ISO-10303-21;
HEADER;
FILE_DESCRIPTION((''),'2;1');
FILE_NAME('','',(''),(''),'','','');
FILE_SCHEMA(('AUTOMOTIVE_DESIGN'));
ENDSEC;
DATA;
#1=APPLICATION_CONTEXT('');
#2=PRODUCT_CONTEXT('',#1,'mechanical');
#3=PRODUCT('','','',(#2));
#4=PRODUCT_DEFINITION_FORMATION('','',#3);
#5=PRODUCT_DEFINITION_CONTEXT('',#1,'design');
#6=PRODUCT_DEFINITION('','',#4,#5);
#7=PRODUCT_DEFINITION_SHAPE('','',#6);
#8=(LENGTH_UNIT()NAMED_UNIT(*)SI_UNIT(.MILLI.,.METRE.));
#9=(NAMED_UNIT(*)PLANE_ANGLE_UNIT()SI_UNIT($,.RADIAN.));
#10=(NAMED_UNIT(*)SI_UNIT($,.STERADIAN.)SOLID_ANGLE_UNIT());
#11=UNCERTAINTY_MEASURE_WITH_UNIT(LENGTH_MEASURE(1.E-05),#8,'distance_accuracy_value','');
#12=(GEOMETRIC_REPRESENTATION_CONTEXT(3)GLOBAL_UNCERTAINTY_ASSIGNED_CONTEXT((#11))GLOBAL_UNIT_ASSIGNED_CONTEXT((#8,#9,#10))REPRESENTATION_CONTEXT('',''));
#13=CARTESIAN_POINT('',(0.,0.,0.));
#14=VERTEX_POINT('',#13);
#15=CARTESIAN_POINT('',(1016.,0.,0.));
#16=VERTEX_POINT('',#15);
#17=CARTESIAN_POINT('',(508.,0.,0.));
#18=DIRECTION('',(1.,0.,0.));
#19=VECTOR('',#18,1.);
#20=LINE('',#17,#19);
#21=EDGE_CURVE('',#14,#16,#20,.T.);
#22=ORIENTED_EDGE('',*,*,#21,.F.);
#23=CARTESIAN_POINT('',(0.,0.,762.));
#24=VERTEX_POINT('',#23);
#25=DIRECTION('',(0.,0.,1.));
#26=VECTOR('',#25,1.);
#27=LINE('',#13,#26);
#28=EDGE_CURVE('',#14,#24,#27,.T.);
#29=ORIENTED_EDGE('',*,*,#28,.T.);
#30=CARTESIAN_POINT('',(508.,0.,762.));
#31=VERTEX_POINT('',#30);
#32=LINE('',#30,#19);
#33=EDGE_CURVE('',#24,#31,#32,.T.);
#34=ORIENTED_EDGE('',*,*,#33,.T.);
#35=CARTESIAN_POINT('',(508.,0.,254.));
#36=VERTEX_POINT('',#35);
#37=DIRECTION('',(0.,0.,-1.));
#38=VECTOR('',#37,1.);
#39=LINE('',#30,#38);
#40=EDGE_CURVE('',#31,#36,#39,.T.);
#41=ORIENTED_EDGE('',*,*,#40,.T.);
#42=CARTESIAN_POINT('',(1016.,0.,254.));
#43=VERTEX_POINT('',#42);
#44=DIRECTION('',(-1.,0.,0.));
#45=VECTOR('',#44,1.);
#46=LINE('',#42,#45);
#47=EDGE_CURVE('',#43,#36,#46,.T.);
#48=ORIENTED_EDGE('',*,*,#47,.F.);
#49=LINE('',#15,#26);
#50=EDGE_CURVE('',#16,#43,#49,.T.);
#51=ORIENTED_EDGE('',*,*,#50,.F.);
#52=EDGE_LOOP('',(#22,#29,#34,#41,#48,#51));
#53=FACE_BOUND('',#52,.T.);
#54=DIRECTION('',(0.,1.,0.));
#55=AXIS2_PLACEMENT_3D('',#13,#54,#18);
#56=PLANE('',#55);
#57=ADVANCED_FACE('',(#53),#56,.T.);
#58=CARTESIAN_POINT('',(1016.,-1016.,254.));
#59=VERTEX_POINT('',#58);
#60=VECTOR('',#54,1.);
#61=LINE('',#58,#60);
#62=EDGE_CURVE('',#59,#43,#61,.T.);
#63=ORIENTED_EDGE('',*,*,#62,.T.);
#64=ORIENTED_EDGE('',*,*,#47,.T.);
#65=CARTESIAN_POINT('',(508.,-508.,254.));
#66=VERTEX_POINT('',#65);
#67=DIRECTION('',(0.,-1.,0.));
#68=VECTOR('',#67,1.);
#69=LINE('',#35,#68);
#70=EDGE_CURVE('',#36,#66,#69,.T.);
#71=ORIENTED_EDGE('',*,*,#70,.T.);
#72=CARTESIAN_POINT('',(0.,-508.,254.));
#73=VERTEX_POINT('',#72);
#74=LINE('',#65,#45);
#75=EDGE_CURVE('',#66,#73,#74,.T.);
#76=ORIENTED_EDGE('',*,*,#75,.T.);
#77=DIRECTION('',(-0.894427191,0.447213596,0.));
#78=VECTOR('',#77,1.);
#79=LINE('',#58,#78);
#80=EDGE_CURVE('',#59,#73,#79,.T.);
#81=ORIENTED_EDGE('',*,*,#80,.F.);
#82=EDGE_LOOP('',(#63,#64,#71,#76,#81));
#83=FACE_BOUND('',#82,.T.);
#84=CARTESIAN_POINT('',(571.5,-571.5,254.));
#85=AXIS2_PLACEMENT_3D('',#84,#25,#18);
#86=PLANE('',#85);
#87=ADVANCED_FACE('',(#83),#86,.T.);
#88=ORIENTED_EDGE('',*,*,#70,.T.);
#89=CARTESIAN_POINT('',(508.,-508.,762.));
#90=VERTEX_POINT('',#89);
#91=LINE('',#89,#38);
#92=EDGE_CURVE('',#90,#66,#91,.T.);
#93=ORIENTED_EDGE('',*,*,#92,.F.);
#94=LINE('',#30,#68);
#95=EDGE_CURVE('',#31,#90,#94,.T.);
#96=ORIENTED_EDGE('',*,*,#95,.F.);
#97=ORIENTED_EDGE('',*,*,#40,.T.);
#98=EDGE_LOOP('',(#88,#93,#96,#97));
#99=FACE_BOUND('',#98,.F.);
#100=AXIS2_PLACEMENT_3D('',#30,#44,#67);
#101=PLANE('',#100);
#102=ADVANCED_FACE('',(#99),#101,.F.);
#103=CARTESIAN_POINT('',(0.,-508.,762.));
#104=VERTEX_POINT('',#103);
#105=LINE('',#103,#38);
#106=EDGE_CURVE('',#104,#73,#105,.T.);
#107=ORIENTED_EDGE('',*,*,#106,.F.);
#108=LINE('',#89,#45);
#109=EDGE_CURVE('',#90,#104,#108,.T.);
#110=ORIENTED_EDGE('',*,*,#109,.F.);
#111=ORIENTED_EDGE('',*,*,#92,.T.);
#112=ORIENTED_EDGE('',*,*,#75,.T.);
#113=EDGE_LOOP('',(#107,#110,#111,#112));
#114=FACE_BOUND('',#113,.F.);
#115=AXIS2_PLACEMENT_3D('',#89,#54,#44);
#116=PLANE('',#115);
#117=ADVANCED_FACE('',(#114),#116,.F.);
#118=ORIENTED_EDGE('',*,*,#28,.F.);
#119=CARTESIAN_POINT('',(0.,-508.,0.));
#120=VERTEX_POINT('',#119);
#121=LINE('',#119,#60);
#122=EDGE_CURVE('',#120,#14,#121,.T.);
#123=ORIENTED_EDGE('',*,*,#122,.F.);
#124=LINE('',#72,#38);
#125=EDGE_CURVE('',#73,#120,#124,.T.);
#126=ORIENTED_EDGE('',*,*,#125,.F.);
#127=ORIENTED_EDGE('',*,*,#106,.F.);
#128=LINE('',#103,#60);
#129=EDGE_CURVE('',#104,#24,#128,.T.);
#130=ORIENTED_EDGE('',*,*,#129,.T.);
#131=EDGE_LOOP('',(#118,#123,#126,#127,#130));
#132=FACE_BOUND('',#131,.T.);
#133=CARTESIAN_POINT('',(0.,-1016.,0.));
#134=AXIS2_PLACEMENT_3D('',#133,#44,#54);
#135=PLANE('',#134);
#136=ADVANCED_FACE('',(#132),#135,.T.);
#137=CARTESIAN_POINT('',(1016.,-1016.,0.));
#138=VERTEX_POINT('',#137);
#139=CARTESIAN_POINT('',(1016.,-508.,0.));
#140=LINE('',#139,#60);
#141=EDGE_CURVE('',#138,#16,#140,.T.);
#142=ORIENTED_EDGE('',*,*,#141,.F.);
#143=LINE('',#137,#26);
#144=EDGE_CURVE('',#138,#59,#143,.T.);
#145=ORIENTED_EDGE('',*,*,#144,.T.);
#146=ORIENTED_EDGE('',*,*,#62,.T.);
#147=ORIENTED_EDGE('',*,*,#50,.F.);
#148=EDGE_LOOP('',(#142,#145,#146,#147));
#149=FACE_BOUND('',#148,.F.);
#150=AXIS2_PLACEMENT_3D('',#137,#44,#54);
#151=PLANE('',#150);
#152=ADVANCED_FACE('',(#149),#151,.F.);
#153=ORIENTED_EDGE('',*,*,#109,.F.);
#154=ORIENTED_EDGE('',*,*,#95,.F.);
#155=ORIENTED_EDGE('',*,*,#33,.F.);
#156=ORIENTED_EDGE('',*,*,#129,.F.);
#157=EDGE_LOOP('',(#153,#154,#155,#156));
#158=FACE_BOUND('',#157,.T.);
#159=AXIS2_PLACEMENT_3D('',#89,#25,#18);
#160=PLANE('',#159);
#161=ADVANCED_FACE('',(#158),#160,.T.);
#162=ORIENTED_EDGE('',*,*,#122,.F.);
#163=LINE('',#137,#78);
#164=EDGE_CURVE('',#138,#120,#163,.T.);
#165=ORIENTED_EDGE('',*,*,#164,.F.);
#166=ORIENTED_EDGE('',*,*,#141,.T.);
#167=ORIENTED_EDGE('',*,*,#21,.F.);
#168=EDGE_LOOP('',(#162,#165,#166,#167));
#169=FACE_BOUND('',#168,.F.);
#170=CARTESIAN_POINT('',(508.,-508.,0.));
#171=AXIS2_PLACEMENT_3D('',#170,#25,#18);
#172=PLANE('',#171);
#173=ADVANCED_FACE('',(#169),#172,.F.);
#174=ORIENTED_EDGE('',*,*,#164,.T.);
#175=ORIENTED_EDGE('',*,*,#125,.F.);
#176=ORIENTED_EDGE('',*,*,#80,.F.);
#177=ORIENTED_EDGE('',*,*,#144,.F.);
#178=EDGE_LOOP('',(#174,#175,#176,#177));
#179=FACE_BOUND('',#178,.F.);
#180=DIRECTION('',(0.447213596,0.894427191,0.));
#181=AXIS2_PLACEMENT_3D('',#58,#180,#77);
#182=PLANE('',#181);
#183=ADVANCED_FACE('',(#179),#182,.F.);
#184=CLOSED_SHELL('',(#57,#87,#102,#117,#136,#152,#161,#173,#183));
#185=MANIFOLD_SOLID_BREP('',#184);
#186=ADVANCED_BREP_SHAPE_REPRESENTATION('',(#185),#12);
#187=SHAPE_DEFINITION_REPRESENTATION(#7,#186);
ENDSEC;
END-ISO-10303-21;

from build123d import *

# Parameters (mm, degrees)
F0_W     = 1016
F0_H     = 1016
F1_DEPTH = 762
F3_DEPTH = 508
F5_DEPTH = 254


with BuildPart() as f1:
    # F0 (on Top) → F1 (new body)
    with BuildSketch(Plane.XY):
        with Locations((508, -508)):
            Rectangle(F0_W, F0_H)
    extrude(amount=F1_DEPTH)

    # F2 (on face) → F3 (cut)
    with BuildSketch(Plane.XY.offset(762)):
        Polygon((1016, 0), (508, 0), (508, -508), (0, -508), (0, -1016), (1016, -1016), align=None)
    extrude(amount=-F3_DEPTH, mode=Mode.SUBTRACT)

    # F4 (on face) → F5 (cut)
    with BuildSketch(Plane.XY.offset(254)):
        Polygon((1016, -1016), (0, -508), (0, -1016), align=None)
    extrude(amount=-F5_DEPTH, mode=Mode.SUBTRACT)


solid = f1.part
